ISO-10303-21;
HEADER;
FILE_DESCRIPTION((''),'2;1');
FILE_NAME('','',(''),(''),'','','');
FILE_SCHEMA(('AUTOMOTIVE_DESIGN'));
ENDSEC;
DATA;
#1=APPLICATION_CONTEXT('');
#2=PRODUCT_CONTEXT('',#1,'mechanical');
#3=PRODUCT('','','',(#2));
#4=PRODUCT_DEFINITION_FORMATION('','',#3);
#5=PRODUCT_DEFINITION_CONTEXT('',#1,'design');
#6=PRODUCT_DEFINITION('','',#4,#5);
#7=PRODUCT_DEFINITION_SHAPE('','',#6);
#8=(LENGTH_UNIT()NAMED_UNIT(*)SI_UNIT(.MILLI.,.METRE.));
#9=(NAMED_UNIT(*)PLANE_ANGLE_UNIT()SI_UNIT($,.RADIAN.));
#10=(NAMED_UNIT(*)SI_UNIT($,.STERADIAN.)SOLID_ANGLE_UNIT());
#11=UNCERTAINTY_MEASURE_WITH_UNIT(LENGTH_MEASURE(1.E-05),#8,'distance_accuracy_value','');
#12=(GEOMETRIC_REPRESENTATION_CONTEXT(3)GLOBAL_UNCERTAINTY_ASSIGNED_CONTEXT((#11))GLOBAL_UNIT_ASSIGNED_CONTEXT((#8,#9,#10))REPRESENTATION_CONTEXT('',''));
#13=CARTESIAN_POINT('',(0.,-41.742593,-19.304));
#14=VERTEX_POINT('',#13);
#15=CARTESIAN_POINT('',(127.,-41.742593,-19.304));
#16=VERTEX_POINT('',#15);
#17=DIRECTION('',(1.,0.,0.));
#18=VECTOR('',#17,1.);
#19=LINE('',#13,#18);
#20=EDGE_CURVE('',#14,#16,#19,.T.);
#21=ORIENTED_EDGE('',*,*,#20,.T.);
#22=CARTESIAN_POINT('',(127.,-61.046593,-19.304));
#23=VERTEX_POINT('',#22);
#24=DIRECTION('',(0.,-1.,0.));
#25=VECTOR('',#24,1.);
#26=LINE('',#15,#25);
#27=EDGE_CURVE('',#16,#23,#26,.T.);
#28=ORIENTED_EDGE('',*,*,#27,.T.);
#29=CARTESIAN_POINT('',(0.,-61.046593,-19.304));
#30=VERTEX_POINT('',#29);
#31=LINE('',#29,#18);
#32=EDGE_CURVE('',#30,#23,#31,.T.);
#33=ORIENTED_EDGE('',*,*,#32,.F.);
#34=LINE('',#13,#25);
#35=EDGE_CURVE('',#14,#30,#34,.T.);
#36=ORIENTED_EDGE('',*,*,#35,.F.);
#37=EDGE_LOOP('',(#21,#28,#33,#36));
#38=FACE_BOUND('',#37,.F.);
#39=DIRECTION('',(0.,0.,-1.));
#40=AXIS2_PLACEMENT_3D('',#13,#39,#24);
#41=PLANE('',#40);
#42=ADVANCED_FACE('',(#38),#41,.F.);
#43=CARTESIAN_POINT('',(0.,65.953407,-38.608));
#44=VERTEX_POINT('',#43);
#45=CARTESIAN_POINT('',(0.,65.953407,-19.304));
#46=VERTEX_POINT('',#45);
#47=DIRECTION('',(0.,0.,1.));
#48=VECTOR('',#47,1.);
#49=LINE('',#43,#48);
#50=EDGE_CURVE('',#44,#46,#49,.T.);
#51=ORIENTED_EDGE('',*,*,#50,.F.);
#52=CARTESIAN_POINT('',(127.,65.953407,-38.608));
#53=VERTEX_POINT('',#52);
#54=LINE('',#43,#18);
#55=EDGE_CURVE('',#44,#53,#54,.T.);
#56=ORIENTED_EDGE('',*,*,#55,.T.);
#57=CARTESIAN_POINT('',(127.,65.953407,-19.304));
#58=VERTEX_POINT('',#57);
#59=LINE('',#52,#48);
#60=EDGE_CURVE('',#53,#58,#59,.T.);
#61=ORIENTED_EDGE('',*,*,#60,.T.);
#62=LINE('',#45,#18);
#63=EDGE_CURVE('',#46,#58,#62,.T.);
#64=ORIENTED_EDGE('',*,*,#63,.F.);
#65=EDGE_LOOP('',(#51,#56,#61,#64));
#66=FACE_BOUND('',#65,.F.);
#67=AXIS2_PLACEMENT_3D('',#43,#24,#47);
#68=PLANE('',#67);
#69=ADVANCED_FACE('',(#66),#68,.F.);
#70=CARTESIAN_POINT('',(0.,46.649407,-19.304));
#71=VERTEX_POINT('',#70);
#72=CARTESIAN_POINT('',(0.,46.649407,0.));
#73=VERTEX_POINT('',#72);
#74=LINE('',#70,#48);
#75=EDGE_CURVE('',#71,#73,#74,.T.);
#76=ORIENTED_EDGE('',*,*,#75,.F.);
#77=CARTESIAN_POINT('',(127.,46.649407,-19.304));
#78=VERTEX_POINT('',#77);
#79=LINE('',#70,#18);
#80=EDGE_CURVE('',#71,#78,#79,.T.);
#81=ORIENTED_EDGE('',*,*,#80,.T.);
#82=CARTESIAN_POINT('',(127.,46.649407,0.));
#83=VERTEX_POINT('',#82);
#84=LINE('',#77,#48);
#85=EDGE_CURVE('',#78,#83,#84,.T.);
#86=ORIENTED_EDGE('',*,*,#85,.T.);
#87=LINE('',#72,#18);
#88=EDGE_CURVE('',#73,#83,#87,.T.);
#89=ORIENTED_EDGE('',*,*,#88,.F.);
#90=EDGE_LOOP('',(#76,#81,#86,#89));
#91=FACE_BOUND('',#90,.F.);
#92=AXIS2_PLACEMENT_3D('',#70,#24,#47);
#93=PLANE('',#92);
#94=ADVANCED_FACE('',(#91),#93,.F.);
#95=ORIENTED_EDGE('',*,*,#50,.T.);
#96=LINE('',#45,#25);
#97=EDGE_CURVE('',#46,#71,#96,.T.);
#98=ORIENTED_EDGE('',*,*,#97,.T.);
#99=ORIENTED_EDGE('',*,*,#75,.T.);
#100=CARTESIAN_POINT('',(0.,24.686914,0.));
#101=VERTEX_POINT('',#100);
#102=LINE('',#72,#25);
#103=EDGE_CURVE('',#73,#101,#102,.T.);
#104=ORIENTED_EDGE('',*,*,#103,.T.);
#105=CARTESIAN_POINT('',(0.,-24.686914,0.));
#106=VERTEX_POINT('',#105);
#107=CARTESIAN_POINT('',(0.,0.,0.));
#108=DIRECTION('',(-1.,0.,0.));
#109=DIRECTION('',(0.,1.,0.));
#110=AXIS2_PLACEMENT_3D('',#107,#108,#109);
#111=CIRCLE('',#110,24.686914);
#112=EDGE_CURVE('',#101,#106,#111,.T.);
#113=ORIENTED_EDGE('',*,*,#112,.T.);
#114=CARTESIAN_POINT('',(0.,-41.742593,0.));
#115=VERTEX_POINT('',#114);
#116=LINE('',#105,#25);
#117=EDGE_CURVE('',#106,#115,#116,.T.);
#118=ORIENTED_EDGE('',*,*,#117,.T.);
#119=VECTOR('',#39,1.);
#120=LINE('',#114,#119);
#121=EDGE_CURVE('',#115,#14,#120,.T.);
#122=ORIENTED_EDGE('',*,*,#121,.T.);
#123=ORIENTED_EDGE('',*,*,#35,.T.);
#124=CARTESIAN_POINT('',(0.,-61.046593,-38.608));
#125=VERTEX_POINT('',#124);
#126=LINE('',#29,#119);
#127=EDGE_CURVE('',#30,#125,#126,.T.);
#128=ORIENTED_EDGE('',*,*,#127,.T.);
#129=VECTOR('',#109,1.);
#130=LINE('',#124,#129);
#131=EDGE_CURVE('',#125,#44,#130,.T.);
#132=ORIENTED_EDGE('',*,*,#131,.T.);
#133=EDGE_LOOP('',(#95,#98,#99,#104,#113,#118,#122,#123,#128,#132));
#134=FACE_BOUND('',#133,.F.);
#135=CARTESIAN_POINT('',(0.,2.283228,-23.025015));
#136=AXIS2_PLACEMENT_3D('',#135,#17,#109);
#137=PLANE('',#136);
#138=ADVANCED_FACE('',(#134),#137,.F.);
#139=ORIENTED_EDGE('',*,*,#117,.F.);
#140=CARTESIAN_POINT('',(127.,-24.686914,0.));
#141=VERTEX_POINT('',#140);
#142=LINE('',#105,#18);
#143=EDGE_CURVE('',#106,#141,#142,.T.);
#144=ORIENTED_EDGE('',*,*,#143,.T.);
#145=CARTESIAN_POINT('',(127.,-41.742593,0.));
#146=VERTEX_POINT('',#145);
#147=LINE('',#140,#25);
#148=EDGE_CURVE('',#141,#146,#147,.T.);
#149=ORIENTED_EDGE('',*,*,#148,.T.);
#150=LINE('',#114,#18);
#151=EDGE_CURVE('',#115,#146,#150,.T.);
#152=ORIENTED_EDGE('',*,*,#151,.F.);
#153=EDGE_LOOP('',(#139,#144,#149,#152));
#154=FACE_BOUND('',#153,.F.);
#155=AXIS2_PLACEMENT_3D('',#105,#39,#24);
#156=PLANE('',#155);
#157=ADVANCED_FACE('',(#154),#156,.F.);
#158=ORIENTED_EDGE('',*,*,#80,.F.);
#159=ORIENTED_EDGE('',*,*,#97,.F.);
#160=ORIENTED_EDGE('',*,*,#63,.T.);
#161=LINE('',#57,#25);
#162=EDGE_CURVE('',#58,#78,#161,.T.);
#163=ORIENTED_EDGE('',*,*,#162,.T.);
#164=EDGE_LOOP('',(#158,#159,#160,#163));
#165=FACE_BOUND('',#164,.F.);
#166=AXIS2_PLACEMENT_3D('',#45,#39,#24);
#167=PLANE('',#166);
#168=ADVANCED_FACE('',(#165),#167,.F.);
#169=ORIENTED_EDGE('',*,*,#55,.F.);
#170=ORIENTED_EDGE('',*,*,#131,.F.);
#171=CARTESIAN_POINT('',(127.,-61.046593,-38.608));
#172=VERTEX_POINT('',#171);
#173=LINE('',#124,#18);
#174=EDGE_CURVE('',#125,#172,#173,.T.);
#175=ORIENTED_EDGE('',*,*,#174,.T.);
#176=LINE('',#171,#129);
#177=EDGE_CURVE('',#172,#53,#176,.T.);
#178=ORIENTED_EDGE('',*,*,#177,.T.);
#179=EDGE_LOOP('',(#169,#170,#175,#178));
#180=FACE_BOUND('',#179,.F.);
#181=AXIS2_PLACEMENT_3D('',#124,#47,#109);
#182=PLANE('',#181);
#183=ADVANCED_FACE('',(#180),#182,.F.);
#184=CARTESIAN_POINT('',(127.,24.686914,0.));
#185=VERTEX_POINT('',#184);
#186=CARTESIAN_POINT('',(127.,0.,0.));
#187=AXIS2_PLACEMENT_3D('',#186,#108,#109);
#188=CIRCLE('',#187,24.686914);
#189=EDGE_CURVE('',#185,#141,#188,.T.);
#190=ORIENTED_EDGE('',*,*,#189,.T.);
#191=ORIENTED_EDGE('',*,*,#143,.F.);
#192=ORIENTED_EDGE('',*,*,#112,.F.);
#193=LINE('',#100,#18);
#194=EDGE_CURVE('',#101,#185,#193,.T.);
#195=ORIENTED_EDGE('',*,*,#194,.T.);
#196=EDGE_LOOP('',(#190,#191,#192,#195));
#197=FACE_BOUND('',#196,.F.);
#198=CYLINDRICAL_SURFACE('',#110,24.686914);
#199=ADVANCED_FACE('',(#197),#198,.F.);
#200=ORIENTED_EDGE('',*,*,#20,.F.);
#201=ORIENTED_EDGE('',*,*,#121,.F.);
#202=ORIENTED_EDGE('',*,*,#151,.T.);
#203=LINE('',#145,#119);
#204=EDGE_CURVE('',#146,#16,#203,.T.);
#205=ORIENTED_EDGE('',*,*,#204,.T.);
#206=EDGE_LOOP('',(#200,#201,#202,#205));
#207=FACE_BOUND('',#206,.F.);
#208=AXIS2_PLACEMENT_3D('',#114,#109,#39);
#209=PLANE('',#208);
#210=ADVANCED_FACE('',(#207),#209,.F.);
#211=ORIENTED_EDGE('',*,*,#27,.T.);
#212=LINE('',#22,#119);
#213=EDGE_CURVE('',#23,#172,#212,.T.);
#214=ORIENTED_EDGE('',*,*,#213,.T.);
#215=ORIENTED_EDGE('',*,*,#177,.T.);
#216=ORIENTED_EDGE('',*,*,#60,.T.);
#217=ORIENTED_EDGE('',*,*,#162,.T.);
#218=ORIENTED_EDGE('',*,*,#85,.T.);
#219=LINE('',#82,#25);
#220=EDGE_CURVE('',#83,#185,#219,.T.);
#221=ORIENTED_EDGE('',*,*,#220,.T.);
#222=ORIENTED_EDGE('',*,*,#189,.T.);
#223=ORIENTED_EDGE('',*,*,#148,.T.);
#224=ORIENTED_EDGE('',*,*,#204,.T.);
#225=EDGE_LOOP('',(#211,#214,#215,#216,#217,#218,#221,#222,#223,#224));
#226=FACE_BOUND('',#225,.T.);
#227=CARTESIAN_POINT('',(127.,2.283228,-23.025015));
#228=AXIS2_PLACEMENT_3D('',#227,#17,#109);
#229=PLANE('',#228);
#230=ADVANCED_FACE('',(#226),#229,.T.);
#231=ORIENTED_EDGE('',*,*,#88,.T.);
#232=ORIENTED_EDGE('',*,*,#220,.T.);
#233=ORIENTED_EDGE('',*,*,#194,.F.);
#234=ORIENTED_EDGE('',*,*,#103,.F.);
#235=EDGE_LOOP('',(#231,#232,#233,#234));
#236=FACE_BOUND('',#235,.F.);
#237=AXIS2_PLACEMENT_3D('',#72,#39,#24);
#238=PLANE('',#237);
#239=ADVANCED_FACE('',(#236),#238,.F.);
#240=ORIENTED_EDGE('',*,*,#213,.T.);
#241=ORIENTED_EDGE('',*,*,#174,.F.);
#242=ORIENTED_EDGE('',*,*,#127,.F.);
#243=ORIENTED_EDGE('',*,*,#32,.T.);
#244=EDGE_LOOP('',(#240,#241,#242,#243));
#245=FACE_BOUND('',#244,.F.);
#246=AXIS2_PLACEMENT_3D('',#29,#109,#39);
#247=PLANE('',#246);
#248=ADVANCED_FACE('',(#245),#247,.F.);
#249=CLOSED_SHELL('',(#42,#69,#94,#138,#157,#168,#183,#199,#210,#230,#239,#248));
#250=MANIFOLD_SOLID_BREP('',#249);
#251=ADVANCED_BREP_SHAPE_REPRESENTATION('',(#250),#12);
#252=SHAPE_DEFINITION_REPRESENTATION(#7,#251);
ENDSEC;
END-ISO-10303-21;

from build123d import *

# Parameters (mm, degrees)
F1_DEPTH = 127


with BuildPart() as f1:
    # F0 (on Right) → F1 (new body)
    with BuildSketch(Plane.YZ):
        with BuildLine():
            Line((-41.742593, -19.304), (-61.046593, -19.304))
            Line((-61.046593, -19.304), (-61.046593, -38.608))
            Line((-61.046593, -38.608), (65.953407, -38.608))
            Line((65.953407, -38.608), (65.953407, -19.304))
            Line((65.953407, -19.304), (46.649407, -19.304))
            Line((46.649407, -19.304), (46.649407, 0))
            Line((46.649407, 0), (40.045407, 0))
            Line((40.045407, 0), (24.686914, 0))
            ThreePointArc((24.686914, 0), (0, -24.686914), (-24.686914, 0))
            Line((-24.686914, 0), (-35.138593, 0))
            Line((-35.138593, 0), (-41.742593, 0))
            Line((-41.742593, 0), (-41.742593, -19.304))
        make_face()
    extrude(amount=F1_DEPTH)


solid = f1.part
